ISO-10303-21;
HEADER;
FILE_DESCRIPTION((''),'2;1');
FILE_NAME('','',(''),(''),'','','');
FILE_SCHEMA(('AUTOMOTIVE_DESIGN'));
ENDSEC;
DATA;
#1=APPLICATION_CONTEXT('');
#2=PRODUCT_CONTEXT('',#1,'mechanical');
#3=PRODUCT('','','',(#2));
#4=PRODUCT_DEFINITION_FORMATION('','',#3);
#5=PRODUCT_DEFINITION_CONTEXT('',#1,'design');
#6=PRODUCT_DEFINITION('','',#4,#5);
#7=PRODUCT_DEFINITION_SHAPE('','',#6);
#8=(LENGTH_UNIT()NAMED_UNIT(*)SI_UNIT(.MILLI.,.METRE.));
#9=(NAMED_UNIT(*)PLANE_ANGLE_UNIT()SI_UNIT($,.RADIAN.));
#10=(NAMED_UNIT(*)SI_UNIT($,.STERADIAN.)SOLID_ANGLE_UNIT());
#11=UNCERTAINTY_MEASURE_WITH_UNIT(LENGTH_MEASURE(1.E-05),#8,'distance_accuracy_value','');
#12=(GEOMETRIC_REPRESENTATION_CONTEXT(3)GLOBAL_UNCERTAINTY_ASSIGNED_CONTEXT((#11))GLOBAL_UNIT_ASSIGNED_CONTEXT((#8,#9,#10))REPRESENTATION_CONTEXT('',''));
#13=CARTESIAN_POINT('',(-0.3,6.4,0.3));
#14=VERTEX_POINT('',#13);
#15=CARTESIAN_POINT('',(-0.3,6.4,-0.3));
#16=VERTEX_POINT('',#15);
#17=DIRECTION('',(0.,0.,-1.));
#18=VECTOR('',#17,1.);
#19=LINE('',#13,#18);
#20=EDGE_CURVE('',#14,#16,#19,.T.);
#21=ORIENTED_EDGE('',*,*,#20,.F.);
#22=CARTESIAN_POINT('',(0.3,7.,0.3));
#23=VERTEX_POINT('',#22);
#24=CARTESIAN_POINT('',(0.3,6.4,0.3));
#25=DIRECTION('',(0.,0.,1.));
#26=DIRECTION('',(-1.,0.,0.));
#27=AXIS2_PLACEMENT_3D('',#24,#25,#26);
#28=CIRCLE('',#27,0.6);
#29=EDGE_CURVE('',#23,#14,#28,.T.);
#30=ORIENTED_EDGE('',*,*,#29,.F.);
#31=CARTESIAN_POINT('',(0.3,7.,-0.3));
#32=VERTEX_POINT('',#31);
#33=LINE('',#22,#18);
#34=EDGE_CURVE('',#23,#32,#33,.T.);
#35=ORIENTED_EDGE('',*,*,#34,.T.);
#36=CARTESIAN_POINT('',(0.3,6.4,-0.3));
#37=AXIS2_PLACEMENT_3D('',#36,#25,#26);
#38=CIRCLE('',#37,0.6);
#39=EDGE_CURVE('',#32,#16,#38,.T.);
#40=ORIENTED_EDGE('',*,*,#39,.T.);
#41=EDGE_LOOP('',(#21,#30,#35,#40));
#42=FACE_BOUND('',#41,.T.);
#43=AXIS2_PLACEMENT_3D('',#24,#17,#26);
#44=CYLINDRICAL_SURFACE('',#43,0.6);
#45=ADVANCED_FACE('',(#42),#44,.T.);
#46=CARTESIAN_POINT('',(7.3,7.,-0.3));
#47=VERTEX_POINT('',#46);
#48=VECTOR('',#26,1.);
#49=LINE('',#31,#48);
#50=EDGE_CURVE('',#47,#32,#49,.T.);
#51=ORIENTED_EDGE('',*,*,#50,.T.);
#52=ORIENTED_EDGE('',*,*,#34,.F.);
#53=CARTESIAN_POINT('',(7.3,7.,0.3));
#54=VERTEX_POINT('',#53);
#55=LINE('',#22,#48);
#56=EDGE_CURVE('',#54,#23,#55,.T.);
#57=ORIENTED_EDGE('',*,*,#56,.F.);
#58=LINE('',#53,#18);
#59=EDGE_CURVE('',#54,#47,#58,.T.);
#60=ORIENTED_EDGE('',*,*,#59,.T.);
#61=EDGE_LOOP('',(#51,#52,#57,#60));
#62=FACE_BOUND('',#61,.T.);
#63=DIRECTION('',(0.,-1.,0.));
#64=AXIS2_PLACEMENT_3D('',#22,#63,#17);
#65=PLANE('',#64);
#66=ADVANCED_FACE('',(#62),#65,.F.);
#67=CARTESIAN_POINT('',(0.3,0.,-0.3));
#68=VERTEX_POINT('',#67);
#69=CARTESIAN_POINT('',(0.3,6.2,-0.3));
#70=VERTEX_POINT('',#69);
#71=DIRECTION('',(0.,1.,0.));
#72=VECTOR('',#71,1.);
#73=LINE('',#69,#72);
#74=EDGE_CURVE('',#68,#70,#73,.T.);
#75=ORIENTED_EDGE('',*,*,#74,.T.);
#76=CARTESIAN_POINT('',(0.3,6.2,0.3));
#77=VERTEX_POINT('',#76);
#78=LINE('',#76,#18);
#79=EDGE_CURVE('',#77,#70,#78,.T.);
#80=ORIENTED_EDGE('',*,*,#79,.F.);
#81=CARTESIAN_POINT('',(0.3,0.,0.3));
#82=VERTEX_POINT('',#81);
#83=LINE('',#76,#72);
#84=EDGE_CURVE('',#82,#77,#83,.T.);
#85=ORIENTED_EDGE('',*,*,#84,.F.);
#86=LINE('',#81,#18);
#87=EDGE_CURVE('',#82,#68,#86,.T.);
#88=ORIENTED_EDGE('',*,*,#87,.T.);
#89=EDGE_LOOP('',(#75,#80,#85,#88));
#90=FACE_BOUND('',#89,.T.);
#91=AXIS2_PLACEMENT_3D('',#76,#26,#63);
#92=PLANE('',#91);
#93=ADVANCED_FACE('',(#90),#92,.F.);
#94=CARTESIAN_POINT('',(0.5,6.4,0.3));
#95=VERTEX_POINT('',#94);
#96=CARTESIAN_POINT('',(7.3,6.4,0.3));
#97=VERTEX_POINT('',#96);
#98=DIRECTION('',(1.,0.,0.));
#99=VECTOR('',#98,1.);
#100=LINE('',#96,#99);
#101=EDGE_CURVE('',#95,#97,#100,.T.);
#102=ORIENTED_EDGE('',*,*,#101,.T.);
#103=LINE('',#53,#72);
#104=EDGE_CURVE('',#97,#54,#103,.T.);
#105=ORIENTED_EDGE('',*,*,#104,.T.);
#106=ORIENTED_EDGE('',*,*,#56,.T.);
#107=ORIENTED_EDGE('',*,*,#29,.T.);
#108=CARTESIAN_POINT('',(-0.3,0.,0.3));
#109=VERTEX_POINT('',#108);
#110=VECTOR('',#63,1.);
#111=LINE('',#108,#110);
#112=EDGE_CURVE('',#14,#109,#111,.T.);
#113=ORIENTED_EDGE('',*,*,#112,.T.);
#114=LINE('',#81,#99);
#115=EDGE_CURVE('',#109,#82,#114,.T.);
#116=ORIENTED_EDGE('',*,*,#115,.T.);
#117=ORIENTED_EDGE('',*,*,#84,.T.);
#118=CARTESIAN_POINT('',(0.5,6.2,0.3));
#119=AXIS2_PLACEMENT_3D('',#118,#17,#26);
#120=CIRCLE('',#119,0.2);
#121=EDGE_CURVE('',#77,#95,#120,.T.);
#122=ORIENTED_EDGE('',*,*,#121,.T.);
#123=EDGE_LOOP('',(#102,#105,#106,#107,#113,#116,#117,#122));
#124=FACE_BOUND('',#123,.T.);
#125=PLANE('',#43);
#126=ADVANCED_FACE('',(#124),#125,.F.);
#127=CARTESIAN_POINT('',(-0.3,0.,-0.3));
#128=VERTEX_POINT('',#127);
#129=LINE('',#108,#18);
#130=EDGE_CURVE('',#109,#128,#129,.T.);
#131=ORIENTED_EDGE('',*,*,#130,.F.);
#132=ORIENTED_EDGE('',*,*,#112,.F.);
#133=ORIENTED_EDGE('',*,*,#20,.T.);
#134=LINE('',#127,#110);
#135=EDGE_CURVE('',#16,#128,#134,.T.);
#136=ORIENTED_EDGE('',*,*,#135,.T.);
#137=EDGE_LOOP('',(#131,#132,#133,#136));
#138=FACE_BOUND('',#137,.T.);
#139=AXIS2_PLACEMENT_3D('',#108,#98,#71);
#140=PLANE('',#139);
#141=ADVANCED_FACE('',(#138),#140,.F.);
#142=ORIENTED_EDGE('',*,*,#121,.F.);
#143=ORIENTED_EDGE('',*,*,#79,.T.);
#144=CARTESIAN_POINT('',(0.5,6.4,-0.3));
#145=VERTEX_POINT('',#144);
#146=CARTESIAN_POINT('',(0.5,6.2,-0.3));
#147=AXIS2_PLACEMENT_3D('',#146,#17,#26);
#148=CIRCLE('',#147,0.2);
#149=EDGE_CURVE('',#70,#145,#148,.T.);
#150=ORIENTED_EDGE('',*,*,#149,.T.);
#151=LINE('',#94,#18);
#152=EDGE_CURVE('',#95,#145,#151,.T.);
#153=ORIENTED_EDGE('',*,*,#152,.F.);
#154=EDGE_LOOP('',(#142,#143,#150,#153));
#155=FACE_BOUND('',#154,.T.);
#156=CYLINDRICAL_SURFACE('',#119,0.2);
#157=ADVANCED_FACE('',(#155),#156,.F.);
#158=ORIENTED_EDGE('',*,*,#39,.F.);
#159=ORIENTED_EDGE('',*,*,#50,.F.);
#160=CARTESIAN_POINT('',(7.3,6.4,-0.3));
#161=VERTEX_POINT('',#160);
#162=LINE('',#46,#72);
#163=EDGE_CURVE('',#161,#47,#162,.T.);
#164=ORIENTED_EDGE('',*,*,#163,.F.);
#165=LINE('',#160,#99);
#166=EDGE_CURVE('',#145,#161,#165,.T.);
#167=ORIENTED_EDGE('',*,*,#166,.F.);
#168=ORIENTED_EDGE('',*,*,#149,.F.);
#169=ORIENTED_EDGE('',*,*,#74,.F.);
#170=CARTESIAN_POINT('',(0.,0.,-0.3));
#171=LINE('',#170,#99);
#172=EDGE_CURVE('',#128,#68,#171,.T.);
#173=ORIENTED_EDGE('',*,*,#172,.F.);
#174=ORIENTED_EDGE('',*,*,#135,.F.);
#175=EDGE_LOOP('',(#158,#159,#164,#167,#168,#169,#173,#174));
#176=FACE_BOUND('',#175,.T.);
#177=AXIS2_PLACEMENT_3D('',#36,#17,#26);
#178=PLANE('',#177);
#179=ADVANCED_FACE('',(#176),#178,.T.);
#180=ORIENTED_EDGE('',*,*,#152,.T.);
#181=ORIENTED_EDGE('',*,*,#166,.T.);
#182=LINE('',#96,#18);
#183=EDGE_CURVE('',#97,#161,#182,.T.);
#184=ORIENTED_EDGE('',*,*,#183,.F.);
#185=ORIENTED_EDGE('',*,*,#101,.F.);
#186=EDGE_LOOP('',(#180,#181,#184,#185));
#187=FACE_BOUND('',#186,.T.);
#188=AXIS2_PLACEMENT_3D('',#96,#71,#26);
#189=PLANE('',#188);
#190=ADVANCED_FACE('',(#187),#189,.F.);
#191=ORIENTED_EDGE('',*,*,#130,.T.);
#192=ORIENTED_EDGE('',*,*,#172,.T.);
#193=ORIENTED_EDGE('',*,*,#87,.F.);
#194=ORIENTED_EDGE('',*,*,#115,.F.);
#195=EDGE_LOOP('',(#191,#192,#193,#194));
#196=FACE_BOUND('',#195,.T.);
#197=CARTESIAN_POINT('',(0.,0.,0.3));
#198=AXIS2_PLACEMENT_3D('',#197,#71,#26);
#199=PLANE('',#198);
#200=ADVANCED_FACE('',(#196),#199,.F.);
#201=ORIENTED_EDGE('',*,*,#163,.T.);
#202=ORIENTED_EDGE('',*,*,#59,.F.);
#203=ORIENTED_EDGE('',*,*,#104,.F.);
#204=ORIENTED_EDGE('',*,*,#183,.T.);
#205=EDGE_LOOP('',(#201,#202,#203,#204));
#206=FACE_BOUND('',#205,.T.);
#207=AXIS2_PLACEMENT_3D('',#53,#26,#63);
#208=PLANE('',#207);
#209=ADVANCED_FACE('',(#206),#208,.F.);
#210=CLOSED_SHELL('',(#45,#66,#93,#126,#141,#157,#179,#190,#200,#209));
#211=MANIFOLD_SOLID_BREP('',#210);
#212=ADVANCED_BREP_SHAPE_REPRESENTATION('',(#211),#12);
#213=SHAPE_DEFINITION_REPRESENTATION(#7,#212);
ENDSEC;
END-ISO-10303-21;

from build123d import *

# Parameters (mm, degrees)
BOSS_EXTRUDE1_DEPTH = 0.3


with BuildPart() as part:
    # Sketch3 → Boss-Extrude1 (new body, symmetric)
    with BuildSketch(Plane.XY):
        with BuildLine():
            Line((0, 0), (-0.3, 0))
            Line((-0.3, 0), (-0.3, 6.4))
            ThreePointArc((-0.3, 6.4), (-0.124264069, 6.824264069), (0.3, 7))
            Line((0.3, 7), (7.3, 7))
            Line((7.3, 7), (7.3, 6.4))
            Line((7.3, 6.4), (0.5, 6.4))
            ThreePointArc((0.5, 6.4), (0.358578644, 6.341421356), (0.3, 6.2))
            Line((0.3, 6.2), (0.3, 0))
            Line((0.3, 0), (0, 0))
        make_face()
    extrude(amount=BOSS_EXTRUDE1_DEPTH, both=True)


solid = part.part
